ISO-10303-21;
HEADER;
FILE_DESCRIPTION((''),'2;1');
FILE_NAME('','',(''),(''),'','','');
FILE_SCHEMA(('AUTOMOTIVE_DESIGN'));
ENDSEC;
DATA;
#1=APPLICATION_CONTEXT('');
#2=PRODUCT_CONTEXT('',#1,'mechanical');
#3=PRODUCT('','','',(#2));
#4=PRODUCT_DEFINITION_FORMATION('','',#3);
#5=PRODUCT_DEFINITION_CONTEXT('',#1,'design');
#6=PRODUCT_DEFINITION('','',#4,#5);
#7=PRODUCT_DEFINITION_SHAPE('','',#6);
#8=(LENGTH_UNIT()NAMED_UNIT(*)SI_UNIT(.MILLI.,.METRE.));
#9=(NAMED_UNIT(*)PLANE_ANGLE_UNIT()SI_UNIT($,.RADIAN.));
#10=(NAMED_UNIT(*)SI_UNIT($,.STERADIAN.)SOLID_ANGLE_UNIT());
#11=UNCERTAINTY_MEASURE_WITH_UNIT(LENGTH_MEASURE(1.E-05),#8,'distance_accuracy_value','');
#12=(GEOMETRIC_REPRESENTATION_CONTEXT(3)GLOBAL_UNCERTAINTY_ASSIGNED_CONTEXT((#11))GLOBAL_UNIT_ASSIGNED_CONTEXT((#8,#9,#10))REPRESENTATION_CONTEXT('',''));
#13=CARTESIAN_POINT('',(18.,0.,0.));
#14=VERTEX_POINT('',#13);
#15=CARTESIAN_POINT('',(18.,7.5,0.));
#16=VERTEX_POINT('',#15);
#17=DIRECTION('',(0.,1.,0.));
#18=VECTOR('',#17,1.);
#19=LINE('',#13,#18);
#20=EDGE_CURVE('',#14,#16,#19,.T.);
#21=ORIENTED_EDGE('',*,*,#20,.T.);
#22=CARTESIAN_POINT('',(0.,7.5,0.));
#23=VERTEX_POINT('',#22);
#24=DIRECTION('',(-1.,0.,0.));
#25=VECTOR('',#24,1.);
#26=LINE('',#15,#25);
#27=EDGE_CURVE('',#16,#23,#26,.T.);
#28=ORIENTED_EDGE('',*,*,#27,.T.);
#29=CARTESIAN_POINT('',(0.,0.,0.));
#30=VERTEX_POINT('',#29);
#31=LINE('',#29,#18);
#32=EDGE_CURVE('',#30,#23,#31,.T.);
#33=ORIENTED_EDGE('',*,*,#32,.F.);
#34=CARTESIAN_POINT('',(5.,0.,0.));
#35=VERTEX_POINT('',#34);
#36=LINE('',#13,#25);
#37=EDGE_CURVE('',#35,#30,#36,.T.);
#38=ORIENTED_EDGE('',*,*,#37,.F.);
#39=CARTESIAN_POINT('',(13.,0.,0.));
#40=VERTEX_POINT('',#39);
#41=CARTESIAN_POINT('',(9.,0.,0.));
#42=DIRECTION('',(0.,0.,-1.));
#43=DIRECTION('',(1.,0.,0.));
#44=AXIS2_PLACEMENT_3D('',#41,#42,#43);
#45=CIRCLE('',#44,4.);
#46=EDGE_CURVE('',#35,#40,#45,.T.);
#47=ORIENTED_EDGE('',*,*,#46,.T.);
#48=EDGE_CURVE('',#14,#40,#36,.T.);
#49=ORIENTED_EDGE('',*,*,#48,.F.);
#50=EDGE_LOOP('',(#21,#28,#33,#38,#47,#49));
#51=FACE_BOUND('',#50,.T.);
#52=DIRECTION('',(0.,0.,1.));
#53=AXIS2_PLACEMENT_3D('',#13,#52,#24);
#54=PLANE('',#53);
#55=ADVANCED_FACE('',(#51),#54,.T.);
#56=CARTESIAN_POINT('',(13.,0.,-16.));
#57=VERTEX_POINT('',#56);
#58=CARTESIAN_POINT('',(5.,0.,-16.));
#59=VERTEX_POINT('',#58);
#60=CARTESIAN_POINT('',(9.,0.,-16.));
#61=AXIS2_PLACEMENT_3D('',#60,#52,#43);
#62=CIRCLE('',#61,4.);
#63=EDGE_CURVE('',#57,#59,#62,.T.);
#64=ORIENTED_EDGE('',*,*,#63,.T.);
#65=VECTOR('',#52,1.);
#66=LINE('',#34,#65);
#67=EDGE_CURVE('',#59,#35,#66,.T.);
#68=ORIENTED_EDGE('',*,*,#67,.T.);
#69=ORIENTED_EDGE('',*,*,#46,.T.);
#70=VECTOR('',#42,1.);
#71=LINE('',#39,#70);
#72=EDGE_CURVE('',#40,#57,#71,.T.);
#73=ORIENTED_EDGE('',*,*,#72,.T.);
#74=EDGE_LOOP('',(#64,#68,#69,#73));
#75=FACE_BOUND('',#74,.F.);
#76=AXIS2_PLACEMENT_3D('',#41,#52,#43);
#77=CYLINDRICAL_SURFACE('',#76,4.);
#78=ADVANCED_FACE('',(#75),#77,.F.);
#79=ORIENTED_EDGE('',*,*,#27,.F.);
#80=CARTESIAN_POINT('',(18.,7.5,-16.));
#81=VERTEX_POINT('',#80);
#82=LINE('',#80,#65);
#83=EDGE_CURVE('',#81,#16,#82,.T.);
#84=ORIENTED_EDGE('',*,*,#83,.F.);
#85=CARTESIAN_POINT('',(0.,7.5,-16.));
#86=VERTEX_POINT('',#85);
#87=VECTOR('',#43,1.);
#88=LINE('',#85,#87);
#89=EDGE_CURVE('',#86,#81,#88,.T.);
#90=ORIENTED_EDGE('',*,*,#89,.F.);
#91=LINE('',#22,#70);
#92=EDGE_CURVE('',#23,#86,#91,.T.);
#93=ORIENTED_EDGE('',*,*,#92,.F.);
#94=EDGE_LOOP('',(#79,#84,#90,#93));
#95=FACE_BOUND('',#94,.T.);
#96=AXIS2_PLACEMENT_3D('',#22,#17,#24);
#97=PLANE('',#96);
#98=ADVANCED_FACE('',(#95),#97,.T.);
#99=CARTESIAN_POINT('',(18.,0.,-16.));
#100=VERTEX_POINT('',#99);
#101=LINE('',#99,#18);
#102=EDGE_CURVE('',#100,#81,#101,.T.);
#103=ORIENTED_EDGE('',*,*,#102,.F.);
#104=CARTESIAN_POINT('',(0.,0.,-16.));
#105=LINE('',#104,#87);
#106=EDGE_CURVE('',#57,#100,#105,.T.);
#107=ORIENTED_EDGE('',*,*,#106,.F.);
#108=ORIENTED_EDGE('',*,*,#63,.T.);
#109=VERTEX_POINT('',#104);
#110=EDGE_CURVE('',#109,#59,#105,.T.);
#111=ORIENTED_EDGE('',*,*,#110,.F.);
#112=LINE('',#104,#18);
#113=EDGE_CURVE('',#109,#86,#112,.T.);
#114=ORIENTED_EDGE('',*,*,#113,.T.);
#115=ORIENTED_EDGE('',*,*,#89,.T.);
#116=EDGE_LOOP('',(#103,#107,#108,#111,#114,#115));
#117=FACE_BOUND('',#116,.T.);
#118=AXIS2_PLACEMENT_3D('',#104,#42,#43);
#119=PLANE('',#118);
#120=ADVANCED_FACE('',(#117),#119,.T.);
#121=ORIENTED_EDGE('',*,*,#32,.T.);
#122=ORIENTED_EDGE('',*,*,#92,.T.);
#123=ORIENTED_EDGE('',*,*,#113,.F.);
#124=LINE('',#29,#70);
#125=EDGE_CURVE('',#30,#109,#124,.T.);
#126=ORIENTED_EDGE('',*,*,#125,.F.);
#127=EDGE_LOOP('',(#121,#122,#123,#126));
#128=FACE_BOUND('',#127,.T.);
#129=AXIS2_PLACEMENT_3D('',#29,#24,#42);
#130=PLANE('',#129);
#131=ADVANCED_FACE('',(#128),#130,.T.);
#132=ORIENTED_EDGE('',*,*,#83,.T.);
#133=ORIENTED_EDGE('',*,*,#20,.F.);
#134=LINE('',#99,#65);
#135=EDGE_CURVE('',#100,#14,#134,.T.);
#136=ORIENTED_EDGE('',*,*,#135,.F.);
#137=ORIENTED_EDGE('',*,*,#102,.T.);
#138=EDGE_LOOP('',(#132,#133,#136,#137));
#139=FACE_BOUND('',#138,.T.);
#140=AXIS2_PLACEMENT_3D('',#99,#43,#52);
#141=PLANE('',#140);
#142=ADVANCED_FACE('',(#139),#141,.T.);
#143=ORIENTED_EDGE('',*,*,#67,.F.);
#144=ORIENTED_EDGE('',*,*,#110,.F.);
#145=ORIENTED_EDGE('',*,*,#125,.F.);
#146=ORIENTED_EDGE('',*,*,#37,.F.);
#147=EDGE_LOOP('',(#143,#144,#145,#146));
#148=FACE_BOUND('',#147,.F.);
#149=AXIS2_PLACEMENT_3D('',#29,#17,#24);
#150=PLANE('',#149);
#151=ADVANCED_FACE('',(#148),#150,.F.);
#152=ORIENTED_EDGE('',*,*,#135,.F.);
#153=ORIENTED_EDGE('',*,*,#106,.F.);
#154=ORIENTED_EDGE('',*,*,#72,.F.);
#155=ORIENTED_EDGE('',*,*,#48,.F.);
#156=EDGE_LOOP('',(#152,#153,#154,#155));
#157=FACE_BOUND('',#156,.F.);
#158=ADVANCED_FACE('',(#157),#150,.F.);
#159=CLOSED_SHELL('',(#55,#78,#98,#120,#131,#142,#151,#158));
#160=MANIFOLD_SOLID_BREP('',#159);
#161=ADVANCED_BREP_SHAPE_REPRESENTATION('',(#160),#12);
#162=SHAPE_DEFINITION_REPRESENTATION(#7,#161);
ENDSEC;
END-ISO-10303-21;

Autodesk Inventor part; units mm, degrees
ref_plane "YZ Plane" through (0, 0, 0) normal (1, 0, 0) x (0, 1, 0)
ref_plane "XZ Plane" through (0, 0, 0) normal (0, 1, 0) x (-1, 0, 0)
ref_plane "XY Plane" through (0, 0, 0) normal (0, 0, 1) x (1, 0, 0)
sketch "Sketch1" plane through (0, 0, 0) normal (0, 1, 0) x (-1, 0, 0)
  line L0 (0, 0) -> (0, -16)
  line L1 (0, -16) -> (-18, -16)
  line L2 (-18, -16) -> (-18, 0)
  line L3 (-18, 0) -> (0, 0)
  dimension "d1" = 18
  dimension "d2" = 16
  dimension "d3" = 18
extrude "Extrusion1" add sketch "Sketch1" along normal blind 7.5
sketch "Sketch2" plane through (0, 0, 0) normal (0, 0, 1) x (1, 0, 0)
  line L0 (18, 0) -> (0, 0) projected
  line L1 (18, 0) -> (18, 7.5) projected
  line L2 (0, 7.5) -> (18, 7.5) projected
  line L3 (0, 0) -> (0, 7.5) projected
  line L4 (18, 0) -> (0, 0) projected
  line L5 (13, 0) -> (5, 0)
  circle A0 centre (9, 0) radius 4
  dimension "d8" = 8
extrude "Extrusion2" cut sketch "Sketch2" against normal through all contours A0 L0 | L0 A0
properties part number "reverse gear lower base bearing holder"
